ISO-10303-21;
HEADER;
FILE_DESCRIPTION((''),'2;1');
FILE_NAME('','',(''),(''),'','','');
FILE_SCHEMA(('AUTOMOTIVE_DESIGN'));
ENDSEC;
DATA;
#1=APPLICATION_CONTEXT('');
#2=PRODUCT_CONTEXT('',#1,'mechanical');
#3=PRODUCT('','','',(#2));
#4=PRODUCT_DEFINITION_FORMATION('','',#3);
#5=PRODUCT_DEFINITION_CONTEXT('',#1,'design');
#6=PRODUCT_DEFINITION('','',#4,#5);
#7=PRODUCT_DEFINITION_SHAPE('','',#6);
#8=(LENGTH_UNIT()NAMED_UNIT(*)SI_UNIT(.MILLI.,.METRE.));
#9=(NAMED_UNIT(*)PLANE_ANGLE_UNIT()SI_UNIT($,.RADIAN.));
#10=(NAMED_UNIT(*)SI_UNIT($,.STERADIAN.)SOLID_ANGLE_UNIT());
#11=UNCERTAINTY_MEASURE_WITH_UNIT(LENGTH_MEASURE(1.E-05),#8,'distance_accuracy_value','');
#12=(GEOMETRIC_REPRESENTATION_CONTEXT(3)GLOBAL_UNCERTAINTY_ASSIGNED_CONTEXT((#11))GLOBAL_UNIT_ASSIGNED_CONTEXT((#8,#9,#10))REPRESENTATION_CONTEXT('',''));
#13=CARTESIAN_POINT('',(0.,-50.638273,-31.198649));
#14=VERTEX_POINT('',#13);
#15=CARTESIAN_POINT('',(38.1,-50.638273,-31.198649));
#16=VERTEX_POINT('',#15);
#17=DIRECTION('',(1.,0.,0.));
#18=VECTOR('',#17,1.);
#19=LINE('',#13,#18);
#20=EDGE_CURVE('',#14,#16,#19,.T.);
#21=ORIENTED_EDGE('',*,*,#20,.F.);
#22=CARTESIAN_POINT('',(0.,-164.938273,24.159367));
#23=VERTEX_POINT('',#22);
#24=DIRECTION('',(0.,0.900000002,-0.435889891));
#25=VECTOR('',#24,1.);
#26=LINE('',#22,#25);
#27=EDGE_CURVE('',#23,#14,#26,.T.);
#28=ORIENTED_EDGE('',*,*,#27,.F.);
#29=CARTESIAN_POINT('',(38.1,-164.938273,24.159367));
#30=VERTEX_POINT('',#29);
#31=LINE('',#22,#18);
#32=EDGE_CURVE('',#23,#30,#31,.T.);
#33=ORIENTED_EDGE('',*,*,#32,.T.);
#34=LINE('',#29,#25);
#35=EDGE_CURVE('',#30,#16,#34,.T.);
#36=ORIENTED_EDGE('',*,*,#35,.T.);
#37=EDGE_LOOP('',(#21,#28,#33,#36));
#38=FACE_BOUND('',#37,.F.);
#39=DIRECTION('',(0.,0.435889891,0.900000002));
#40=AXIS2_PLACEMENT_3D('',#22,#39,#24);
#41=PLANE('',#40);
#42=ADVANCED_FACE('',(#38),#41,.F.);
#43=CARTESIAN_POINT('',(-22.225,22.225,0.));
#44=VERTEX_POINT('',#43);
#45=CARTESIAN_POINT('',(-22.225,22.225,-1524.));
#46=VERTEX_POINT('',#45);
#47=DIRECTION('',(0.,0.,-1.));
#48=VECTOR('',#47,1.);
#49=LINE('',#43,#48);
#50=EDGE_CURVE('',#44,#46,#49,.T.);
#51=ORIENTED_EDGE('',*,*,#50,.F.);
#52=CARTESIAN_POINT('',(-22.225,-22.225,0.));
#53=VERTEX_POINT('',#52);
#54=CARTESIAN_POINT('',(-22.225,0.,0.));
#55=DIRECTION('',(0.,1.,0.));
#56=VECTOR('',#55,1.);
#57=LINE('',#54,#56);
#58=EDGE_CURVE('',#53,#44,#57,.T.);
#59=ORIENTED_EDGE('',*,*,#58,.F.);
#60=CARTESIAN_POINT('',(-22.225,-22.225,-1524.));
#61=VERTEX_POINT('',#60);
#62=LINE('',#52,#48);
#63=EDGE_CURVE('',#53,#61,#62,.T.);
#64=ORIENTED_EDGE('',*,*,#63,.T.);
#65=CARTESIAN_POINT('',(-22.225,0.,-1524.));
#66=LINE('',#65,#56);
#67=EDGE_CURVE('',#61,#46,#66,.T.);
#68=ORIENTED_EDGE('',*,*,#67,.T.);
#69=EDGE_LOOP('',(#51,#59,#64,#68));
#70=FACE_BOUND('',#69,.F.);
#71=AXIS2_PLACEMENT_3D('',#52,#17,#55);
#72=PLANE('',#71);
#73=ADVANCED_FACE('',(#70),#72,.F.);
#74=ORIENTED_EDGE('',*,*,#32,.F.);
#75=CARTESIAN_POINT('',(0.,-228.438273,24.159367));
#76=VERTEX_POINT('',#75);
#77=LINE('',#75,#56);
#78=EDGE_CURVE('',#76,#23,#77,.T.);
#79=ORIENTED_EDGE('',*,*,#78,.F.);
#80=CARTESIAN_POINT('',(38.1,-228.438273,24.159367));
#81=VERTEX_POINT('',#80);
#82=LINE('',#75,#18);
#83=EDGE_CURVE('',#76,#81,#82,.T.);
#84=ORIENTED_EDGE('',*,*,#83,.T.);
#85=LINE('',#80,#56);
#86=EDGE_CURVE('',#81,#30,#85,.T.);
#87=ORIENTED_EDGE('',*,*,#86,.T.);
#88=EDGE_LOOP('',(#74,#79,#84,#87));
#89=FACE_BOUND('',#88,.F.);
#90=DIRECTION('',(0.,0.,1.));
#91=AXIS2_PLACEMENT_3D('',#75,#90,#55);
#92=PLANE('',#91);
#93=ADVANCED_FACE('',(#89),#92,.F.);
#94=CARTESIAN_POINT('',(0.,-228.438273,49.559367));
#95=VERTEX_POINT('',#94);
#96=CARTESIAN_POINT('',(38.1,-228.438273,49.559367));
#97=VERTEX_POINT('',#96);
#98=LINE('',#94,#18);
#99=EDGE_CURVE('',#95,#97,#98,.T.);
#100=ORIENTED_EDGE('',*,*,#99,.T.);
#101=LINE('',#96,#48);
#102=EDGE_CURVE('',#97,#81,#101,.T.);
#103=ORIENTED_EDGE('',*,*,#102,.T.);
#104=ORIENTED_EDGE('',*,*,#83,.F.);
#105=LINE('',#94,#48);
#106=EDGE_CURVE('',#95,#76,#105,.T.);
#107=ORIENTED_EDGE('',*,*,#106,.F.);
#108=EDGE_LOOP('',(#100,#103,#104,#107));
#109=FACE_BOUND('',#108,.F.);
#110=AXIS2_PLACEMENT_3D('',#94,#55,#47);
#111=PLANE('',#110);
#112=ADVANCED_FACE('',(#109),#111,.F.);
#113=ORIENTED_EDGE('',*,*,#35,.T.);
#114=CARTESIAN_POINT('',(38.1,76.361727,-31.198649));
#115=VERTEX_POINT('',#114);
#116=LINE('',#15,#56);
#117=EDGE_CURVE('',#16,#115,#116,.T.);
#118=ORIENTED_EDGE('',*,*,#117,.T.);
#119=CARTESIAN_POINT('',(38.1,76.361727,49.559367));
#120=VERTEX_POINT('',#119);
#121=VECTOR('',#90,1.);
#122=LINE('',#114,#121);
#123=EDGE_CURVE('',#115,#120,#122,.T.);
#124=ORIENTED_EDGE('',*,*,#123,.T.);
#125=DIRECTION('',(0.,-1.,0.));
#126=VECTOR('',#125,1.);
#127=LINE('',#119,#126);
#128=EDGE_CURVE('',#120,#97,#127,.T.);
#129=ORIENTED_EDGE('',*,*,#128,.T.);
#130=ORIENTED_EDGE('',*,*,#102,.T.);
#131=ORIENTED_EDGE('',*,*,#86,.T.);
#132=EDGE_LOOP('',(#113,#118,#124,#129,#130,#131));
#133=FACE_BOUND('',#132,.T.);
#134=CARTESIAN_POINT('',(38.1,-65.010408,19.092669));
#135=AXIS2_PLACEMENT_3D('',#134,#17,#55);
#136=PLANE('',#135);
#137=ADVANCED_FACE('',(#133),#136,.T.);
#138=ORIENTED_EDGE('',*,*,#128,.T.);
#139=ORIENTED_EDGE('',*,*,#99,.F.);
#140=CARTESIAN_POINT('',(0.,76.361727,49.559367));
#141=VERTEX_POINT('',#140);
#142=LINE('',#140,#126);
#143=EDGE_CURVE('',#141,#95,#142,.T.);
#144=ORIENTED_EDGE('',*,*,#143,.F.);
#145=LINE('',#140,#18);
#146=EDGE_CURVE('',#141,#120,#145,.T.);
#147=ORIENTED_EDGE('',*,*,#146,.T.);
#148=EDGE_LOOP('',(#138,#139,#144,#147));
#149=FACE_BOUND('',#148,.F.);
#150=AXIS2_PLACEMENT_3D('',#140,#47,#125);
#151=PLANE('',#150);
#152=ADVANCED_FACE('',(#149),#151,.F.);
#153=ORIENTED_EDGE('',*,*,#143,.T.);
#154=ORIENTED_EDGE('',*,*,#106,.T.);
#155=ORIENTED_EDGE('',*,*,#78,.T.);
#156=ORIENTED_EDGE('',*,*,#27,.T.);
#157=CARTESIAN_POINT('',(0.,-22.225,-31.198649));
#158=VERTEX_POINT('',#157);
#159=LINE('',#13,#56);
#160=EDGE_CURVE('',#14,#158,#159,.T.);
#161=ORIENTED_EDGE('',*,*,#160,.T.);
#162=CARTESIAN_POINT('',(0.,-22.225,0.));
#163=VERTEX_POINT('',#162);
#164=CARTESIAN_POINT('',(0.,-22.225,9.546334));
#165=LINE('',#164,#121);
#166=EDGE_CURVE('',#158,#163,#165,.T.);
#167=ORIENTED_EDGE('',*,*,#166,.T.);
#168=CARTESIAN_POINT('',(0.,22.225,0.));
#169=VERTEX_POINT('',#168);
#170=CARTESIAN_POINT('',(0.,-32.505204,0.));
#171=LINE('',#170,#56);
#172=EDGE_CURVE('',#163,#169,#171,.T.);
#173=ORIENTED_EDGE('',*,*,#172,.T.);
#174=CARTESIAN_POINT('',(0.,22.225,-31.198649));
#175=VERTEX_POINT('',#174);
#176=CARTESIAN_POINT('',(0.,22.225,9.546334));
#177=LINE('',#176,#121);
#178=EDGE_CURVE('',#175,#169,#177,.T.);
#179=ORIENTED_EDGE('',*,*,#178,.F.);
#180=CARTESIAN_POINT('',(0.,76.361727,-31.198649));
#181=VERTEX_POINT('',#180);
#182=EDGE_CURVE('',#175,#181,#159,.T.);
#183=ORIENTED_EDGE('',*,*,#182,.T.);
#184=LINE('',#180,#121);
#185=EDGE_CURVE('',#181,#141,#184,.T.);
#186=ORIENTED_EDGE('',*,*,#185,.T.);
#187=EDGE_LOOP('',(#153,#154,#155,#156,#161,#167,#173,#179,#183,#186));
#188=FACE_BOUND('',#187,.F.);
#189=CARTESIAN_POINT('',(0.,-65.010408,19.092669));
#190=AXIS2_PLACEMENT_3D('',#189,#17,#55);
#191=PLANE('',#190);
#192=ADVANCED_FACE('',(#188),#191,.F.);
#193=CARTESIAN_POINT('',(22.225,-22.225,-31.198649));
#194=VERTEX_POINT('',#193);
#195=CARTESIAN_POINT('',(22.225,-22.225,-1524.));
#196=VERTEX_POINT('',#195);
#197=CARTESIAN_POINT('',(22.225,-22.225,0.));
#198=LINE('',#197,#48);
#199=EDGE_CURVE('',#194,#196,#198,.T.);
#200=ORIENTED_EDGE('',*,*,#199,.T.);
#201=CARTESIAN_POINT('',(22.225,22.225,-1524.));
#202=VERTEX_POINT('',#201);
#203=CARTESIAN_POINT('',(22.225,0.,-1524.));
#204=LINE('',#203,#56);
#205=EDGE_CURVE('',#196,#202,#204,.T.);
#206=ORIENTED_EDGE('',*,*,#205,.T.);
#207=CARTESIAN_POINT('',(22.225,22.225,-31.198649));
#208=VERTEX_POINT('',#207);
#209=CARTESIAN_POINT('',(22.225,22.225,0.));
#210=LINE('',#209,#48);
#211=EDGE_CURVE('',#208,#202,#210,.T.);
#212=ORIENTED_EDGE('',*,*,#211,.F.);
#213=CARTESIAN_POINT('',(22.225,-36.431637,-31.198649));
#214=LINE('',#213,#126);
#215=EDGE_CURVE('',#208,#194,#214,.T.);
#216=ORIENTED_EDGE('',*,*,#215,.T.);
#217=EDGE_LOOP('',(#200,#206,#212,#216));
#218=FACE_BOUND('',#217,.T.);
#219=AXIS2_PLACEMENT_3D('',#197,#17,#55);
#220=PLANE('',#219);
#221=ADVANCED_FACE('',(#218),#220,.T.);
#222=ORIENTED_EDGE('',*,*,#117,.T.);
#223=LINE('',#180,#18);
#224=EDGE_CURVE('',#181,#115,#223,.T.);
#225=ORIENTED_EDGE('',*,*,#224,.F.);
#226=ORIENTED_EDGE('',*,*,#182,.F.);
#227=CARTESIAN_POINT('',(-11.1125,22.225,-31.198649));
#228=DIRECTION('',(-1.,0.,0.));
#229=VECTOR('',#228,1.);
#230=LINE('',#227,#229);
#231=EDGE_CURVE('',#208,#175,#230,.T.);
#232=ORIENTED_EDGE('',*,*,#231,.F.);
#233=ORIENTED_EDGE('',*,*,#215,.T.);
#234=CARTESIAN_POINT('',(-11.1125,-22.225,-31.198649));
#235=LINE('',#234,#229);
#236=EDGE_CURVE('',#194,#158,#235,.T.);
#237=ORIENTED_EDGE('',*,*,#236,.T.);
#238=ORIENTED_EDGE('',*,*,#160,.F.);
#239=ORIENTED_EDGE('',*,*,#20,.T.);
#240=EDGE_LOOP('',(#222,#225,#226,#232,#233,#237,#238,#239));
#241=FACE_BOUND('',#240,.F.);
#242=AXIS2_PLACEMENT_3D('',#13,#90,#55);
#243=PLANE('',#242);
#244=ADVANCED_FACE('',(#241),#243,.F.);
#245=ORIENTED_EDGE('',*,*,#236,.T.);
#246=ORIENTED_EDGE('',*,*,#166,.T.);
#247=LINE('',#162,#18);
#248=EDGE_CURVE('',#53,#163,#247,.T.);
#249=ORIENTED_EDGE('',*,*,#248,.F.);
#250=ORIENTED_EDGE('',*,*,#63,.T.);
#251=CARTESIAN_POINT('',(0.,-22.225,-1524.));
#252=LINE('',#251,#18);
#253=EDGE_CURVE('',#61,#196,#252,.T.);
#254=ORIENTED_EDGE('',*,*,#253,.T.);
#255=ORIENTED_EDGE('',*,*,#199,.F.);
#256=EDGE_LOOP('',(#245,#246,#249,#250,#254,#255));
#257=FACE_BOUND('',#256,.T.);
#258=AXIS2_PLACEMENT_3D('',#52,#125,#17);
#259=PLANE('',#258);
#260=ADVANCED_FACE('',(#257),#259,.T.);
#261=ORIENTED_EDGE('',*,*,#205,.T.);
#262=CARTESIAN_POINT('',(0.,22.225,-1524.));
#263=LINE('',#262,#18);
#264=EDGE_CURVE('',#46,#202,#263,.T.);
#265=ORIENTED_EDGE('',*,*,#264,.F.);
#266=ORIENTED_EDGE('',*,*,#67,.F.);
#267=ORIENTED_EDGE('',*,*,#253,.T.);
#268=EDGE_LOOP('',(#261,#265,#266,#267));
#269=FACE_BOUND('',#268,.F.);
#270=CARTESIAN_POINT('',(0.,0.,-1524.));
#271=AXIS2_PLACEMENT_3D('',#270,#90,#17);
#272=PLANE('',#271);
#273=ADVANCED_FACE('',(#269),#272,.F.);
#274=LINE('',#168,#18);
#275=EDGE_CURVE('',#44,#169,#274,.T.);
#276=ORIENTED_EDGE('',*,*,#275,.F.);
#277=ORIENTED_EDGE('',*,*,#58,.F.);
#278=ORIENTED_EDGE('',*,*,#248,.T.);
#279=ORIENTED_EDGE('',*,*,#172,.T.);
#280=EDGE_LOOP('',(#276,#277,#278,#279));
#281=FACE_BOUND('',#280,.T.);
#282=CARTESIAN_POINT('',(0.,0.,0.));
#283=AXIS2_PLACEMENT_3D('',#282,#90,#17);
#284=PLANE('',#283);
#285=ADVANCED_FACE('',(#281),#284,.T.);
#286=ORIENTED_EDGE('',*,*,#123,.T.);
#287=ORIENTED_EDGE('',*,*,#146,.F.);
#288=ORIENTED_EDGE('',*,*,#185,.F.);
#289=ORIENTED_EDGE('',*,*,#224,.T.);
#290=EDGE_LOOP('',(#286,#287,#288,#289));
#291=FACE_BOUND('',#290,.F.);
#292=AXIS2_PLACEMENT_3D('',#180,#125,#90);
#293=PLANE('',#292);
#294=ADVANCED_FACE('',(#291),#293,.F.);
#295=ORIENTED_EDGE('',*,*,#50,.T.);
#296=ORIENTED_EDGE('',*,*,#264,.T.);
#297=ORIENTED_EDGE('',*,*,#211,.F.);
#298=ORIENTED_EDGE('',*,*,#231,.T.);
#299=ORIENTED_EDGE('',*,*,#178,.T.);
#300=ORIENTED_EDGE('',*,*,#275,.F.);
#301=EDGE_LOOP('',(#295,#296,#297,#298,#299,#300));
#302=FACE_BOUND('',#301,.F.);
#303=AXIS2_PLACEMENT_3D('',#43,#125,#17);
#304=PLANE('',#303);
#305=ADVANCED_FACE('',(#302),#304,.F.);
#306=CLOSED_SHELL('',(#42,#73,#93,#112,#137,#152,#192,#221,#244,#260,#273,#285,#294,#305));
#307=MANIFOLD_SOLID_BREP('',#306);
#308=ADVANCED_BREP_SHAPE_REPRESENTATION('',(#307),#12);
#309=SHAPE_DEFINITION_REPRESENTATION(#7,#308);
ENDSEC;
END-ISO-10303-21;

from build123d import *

# Parameters (mm, degrees)
F0_W     = 44.45
F0_H     = 44.45
F1_DEPTH = 1524
F3_DEPTH = 38.1


with BuildPart() as f1:
    # F0 (on Top) → F1 (new body)
    with BuildSketch(Plane.XY):
        Rectangle(F0_W, F0_H)
    extrude(amount=-F1_DEPTH)

    # F2 (on Right) → F3 (join)
    with BuildSketch(Plane.YZ):
        Polygon((76.361727, -31.198649), (76.361727, 49.559367), (-228.438273, 49.559367), (-228.438273, 24.159367), (-164.938273, 24.159367), (-50.638273, -31.198649), align=None)
    extrude(amount=F3_DEPTH)


solid = f1.part
